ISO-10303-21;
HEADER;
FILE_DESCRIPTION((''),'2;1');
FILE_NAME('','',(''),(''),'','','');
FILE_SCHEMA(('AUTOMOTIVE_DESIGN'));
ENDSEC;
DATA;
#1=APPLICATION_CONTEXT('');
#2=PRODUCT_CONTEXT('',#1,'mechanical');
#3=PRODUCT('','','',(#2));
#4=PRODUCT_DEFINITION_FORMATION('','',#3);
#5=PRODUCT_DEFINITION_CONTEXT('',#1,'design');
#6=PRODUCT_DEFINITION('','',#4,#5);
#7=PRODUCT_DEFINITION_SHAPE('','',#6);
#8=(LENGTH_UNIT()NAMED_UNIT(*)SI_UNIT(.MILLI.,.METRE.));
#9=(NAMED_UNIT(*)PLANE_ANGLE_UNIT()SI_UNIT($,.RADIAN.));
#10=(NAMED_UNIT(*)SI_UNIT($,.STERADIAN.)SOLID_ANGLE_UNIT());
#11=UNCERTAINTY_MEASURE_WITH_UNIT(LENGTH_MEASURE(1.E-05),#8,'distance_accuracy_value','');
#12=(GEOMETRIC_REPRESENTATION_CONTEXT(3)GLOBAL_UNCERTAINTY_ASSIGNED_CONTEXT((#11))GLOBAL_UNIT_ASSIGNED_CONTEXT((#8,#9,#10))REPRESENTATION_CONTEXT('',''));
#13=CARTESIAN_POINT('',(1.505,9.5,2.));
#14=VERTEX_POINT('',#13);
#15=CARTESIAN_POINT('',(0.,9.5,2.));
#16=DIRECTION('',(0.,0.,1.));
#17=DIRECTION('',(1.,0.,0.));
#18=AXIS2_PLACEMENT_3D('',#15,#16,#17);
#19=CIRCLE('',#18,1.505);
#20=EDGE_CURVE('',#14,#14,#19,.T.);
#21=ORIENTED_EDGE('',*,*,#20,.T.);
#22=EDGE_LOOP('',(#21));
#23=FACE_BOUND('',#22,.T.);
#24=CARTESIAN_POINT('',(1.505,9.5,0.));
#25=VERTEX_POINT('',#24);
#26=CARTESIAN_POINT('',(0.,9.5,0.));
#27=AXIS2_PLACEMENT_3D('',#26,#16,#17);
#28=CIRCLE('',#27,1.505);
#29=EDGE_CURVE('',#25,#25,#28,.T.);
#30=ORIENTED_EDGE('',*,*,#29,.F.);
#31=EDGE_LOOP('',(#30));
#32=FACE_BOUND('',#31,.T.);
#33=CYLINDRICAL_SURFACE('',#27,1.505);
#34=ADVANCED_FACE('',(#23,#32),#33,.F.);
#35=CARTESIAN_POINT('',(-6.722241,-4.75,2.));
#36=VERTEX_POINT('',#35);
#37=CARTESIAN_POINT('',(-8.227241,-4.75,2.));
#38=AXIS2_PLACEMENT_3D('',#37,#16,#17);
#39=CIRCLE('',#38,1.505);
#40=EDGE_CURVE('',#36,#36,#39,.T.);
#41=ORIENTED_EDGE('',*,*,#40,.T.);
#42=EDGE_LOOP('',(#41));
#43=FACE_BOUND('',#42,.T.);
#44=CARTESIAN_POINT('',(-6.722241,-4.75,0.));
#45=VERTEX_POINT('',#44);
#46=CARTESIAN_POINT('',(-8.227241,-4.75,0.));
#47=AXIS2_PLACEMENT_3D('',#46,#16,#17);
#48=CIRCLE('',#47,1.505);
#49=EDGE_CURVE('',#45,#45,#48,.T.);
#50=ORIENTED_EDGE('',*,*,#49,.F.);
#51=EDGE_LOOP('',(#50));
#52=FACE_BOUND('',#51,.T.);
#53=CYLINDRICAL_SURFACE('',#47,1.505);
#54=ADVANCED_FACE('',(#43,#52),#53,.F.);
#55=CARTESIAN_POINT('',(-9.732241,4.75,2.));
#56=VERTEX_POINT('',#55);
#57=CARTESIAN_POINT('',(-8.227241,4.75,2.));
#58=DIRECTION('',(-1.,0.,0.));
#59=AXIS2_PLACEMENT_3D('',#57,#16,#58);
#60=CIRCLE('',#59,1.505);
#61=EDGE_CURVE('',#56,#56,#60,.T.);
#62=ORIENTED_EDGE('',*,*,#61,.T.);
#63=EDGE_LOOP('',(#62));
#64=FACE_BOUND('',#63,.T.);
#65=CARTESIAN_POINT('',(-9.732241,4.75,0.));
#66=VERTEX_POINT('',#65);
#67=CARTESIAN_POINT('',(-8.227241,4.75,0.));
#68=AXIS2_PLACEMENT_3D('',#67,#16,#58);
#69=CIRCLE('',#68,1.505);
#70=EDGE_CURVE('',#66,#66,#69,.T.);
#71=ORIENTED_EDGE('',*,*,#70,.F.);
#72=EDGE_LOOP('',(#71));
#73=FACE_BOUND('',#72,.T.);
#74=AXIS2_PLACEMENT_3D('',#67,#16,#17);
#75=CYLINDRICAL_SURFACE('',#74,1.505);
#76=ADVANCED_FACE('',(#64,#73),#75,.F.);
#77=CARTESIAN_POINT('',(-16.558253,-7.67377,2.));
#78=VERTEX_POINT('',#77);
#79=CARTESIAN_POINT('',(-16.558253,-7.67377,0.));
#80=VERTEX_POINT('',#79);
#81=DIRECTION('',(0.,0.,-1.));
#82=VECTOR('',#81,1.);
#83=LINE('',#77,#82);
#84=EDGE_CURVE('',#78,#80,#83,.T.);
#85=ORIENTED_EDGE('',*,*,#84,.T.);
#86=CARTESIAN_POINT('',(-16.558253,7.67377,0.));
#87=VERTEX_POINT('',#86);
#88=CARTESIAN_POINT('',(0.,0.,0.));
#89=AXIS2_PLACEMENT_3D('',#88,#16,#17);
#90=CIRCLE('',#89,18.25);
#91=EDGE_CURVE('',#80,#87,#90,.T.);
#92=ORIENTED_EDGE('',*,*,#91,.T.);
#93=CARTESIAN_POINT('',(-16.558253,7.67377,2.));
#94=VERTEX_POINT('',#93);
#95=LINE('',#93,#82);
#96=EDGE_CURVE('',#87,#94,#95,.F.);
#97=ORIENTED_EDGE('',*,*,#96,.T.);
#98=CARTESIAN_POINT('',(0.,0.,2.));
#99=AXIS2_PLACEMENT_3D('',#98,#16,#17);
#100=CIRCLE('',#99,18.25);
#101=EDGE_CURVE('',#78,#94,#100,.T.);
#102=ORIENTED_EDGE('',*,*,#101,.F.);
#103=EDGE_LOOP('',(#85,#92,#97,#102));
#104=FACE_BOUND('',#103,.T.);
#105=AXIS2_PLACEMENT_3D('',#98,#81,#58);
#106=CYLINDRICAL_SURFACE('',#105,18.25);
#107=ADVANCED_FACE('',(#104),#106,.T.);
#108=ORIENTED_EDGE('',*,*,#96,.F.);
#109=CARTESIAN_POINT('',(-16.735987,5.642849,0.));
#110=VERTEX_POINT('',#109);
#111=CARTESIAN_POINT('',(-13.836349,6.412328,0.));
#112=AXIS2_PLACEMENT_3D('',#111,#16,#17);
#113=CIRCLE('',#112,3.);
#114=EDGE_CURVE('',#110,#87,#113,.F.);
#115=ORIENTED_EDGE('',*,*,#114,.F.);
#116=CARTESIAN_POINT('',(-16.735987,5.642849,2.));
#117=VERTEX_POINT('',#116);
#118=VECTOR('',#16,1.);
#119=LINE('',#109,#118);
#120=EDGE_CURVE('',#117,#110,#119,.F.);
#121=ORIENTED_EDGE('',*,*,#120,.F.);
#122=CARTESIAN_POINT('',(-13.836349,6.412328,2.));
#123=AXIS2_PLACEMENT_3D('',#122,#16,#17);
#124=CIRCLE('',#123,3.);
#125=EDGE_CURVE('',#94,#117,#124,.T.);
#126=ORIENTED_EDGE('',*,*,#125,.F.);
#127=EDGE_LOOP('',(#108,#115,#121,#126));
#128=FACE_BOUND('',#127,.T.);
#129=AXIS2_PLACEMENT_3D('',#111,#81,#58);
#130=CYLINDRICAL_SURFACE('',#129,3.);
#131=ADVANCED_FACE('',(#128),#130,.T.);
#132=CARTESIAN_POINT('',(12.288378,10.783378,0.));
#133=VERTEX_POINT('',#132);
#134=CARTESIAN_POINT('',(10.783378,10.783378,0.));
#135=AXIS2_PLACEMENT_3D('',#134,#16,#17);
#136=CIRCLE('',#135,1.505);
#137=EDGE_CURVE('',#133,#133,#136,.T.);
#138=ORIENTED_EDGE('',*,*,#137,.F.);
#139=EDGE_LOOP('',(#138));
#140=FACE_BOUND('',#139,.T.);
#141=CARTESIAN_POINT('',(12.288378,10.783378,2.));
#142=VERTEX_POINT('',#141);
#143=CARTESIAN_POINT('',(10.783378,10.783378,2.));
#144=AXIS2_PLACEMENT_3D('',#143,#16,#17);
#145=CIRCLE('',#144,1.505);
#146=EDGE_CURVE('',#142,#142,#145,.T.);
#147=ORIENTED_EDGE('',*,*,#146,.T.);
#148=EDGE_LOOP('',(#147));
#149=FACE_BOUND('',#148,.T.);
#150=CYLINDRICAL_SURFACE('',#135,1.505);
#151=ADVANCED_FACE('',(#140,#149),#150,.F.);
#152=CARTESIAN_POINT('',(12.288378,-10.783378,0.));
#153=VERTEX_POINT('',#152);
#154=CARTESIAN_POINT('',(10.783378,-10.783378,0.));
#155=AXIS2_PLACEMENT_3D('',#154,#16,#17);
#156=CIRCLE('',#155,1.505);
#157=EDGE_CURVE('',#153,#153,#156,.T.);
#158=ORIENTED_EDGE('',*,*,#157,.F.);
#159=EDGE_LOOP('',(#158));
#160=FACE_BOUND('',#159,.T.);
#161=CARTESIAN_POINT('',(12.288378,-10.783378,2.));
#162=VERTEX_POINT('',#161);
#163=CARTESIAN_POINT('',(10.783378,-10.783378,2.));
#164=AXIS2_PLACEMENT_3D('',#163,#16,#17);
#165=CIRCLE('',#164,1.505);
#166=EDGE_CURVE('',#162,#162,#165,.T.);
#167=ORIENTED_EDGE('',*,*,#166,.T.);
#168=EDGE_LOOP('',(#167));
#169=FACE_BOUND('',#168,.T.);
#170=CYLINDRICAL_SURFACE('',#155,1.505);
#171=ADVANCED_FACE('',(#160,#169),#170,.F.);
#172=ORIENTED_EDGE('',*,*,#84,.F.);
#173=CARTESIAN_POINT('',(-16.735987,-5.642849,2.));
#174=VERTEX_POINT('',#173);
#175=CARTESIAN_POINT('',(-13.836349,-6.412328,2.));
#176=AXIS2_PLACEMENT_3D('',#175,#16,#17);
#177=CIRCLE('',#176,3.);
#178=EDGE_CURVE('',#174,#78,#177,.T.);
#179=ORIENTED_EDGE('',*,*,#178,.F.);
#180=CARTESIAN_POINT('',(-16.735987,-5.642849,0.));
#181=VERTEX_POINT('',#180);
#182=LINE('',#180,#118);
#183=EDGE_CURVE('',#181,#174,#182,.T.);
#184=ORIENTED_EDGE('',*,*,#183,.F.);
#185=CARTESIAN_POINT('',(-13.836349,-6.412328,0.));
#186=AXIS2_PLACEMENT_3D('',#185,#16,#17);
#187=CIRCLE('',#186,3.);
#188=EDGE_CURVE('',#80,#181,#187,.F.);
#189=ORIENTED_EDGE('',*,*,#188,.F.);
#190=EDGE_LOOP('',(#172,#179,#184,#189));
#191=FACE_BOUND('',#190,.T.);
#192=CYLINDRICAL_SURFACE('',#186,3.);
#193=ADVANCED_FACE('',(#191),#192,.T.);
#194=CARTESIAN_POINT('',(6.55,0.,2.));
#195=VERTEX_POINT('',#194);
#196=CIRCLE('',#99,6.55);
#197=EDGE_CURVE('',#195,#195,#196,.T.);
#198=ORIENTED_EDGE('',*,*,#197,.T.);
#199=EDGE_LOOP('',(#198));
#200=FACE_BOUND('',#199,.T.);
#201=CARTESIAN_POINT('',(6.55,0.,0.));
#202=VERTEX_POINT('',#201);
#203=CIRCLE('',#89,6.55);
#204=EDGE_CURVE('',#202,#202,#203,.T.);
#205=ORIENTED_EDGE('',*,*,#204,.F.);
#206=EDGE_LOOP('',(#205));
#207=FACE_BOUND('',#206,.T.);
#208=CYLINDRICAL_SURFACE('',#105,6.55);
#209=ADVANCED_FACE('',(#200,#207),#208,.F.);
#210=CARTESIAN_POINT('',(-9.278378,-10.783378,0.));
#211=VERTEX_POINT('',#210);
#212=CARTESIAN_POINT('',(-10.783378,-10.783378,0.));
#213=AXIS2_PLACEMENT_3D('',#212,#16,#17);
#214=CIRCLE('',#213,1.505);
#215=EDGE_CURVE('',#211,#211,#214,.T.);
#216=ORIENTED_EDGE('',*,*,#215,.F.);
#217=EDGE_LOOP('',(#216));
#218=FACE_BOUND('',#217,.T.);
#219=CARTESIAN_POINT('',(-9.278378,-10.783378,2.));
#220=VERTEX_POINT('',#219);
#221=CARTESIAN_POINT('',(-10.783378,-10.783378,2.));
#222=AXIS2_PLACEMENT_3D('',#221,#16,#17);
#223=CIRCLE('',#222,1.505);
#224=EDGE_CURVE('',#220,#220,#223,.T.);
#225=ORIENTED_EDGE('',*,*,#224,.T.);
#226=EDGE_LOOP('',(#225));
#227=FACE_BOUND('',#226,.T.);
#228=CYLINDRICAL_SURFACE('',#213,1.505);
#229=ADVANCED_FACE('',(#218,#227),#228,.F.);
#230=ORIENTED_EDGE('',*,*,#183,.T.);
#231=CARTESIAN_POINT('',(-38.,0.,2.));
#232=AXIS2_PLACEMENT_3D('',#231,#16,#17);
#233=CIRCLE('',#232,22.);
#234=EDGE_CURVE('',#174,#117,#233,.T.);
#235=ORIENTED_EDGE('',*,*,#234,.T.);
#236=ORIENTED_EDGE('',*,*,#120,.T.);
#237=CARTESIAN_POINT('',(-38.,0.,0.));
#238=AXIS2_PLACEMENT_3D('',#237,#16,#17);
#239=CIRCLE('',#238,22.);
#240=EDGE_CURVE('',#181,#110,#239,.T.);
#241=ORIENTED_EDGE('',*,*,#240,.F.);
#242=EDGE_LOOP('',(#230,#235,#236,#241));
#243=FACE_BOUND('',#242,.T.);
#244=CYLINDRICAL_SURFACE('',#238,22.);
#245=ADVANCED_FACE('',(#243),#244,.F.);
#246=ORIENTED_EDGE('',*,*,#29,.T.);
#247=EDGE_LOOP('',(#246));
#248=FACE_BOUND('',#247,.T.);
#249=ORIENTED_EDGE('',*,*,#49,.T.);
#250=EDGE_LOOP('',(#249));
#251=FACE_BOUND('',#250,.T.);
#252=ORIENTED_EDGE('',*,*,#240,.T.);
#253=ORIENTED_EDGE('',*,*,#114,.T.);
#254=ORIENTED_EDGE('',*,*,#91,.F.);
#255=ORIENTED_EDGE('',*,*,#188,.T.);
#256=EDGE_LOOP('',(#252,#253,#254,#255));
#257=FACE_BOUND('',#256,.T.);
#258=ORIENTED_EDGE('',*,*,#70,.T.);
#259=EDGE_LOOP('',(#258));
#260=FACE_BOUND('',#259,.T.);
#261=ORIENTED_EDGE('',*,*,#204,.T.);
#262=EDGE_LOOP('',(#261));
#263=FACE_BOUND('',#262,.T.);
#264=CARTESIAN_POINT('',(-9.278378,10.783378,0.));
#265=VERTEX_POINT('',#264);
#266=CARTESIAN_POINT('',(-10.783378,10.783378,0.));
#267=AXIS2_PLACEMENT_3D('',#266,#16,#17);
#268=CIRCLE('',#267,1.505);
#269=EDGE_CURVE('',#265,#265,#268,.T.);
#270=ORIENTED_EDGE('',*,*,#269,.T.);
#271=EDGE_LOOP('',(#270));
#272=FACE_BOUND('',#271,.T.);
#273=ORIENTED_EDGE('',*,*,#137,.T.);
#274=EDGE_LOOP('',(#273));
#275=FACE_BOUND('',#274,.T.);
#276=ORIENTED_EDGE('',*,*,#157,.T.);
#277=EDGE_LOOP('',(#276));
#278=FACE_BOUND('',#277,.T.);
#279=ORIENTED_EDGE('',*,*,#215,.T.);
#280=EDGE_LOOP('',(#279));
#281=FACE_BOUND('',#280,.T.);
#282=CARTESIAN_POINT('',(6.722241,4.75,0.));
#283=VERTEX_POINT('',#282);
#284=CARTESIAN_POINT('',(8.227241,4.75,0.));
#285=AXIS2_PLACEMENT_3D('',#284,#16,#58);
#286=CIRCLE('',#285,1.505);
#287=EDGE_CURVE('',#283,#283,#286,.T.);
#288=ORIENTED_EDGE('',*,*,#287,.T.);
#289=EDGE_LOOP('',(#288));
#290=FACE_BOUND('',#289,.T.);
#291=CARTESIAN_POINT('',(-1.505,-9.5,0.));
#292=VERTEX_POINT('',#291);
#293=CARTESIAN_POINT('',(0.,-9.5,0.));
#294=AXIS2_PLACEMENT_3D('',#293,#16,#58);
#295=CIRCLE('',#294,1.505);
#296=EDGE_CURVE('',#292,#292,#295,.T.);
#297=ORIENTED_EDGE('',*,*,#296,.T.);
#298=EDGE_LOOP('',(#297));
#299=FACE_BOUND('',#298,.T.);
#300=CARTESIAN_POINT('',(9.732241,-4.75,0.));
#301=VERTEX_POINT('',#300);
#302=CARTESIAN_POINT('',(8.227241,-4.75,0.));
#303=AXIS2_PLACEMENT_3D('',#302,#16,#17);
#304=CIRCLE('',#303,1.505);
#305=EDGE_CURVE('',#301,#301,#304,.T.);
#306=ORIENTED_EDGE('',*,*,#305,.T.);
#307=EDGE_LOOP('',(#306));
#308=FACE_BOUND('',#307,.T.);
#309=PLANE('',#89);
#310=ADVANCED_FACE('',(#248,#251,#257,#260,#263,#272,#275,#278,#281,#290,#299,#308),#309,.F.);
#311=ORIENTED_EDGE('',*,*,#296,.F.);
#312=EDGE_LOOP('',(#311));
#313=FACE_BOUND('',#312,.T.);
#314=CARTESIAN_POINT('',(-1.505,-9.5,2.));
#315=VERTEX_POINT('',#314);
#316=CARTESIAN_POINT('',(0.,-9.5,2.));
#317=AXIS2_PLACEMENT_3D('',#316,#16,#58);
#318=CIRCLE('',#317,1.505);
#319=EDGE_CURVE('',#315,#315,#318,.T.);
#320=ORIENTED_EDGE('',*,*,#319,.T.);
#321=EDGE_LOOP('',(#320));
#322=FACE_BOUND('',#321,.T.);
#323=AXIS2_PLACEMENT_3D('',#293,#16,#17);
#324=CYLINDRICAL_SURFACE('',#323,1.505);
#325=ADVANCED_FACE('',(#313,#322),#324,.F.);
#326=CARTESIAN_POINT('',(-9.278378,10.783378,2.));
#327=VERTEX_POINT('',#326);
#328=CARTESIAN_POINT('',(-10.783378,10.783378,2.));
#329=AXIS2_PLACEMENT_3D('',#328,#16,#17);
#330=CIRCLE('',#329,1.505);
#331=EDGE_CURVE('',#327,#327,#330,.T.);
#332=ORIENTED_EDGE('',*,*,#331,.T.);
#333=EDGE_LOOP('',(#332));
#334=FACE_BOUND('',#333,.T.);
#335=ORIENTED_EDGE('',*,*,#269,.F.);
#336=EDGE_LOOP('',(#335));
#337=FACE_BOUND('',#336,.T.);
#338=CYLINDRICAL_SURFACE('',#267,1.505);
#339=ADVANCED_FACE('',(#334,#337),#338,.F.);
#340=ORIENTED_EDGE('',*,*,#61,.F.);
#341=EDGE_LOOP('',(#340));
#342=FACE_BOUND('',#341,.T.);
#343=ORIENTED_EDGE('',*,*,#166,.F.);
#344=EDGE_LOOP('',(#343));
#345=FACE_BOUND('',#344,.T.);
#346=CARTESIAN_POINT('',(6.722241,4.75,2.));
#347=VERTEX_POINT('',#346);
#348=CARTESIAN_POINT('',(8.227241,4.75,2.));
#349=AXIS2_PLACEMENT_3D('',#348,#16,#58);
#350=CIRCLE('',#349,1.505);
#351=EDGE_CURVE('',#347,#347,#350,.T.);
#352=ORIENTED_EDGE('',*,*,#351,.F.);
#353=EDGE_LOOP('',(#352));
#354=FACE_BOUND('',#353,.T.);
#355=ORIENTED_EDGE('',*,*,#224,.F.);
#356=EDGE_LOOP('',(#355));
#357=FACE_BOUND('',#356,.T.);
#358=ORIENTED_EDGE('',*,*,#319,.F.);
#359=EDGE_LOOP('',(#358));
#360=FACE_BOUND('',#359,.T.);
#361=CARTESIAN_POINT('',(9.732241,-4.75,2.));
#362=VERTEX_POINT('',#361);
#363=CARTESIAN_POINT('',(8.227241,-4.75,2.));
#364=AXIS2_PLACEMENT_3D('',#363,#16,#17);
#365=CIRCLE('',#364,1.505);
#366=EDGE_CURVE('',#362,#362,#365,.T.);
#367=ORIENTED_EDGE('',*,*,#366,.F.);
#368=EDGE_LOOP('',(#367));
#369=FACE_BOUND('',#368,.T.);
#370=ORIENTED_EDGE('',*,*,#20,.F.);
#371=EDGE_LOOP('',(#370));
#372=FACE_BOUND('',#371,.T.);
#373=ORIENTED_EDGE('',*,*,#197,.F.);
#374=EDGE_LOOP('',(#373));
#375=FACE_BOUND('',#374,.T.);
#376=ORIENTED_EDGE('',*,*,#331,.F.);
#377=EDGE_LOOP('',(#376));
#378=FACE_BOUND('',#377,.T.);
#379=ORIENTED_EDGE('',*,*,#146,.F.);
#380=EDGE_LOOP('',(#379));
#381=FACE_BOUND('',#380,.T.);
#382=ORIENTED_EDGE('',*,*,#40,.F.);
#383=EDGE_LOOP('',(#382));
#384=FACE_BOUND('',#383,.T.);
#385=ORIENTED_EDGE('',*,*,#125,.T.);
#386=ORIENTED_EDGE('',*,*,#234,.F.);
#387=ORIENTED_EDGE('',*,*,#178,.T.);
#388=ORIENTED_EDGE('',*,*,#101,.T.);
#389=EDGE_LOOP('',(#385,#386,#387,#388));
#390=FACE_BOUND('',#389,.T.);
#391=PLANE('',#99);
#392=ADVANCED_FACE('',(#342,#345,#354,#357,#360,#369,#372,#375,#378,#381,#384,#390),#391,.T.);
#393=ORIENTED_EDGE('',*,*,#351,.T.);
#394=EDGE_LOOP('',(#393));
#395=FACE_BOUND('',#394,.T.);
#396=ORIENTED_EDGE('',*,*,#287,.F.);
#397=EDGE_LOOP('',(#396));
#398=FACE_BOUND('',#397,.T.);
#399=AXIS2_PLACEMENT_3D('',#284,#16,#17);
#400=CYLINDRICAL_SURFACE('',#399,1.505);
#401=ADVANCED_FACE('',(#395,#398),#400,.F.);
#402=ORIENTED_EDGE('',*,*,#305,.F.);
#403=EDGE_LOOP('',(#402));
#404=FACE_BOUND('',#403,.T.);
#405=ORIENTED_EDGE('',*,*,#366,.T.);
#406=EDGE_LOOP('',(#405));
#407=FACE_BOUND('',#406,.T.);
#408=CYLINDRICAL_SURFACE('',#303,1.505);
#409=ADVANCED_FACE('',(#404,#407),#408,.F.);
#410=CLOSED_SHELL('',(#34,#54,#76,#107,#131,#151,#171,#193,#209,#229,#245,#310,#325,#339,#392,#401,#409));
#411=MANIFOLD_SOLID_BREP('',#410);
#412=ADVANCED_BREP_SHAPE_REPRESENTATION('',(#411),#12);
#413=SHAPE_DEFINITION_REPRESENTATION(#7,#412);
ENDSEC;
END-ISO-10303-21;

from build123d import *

# Parameters (mm, degrees)
SKETCH_1_R               = 18.25
SKETCH_1_R_2             = 6.55
EXTRUDE_1_DEPTH          = 2
SKETCH_2_R               = 22
CUT_EXTRUDE_1_DEPTH      = 2
SKETCH_3_R               = 1.505
CUT_EXTRUDE_2_DEPTH      = 2
PATTERN_CIRCULAR_1_COUNT = 2
SKETCH_4_R               = 1.505
CUT_EXTRUDE_3_DEPTH      = 2
FILLET_1_R               = 3


with BuildPart() as part:
    # 草图1 → 凸台-拉伸1 (new body)
    with BuildSketch(Plane.XY):
        Circle(SKETCH_1_R)
        Circle(SKETCH_1_R_2, mode=Mode.SUBTRACT)
    extrude(amount=EXTRUDE_1_DEPTH)

    # 草图2 → 切除-拉伸1 (cut)
    with BuildSketch(Plane.XY.offset(2)):
        with Locations((-38, 0)):
            Circle(SKETCH_2_R)
    extrude(amount=-CUT_EXTRUDE_1_DEPTH, mode=Mode.SUBTRACT)

    # 草图3 → 切除-拉伸2 (cut)
    with BuildSketch(Plane.XY.offset(2)):
        with Locations((0, 9.5)):
            Circle(SKETCH_3_R)
        with Locations((8.227241336, -4.75)):
            Circle(SKETCH_3_R)
        with Locations((-8.227241336, -4.75)):
            Circle(SKETCH_3_R)
    cut_extrude_2 = extrude(amount=-CUT_EXTRUDE_2_DEPTH, mode=Mode.SUBTRACT)

    # 阵列(圆周)1: 切除-拉伸2 ×2 about axis
    pattern_circular_1_axis = Axis((0, 0, 0), (0, 0, 1))
    for i in range(1, PATTERN_CIRCULAR_1_COUNT):
        add(cut_extrude_2.rotate(pattern_circular_1_axis, i * 360 / PATTERN_CIRCULAR_1_COUNT), mode=Mode.SUBTRACT)

    # 草图4 → 切除-拉伸3 (cut)
    with BuildSketch(Plane.XY.offset(2)):
        with Locations((-10.783378413, 10.783378413)):
            Circle(SKETCH_4_R)
        with Locations((10.783378413, 10.783378413)):
            Circle(SKETCH_4_R)
        with Locations((10.783378413, -10.783378413)):
            Circle(SKETCH_4_R)
        with Locations((-10.783378413, -10.783378413)):
            Circle(SKETCH_4_R)
    extrude(amount=-CUT_EXTRUDE_3_DEPTH, mode=Mode.SUBTRACT)

    # 圆角1
    fillet_1_edges = [part.edges().sort_by_distance(p)[0] for p in [
        (-17.013980263, -6.60204329, 1),
        (-17.013980263, 6.60204329, 1),
    ]]
    fillet(fillet_1_edges, radius=FILLET_1_R)


solid = part.part
